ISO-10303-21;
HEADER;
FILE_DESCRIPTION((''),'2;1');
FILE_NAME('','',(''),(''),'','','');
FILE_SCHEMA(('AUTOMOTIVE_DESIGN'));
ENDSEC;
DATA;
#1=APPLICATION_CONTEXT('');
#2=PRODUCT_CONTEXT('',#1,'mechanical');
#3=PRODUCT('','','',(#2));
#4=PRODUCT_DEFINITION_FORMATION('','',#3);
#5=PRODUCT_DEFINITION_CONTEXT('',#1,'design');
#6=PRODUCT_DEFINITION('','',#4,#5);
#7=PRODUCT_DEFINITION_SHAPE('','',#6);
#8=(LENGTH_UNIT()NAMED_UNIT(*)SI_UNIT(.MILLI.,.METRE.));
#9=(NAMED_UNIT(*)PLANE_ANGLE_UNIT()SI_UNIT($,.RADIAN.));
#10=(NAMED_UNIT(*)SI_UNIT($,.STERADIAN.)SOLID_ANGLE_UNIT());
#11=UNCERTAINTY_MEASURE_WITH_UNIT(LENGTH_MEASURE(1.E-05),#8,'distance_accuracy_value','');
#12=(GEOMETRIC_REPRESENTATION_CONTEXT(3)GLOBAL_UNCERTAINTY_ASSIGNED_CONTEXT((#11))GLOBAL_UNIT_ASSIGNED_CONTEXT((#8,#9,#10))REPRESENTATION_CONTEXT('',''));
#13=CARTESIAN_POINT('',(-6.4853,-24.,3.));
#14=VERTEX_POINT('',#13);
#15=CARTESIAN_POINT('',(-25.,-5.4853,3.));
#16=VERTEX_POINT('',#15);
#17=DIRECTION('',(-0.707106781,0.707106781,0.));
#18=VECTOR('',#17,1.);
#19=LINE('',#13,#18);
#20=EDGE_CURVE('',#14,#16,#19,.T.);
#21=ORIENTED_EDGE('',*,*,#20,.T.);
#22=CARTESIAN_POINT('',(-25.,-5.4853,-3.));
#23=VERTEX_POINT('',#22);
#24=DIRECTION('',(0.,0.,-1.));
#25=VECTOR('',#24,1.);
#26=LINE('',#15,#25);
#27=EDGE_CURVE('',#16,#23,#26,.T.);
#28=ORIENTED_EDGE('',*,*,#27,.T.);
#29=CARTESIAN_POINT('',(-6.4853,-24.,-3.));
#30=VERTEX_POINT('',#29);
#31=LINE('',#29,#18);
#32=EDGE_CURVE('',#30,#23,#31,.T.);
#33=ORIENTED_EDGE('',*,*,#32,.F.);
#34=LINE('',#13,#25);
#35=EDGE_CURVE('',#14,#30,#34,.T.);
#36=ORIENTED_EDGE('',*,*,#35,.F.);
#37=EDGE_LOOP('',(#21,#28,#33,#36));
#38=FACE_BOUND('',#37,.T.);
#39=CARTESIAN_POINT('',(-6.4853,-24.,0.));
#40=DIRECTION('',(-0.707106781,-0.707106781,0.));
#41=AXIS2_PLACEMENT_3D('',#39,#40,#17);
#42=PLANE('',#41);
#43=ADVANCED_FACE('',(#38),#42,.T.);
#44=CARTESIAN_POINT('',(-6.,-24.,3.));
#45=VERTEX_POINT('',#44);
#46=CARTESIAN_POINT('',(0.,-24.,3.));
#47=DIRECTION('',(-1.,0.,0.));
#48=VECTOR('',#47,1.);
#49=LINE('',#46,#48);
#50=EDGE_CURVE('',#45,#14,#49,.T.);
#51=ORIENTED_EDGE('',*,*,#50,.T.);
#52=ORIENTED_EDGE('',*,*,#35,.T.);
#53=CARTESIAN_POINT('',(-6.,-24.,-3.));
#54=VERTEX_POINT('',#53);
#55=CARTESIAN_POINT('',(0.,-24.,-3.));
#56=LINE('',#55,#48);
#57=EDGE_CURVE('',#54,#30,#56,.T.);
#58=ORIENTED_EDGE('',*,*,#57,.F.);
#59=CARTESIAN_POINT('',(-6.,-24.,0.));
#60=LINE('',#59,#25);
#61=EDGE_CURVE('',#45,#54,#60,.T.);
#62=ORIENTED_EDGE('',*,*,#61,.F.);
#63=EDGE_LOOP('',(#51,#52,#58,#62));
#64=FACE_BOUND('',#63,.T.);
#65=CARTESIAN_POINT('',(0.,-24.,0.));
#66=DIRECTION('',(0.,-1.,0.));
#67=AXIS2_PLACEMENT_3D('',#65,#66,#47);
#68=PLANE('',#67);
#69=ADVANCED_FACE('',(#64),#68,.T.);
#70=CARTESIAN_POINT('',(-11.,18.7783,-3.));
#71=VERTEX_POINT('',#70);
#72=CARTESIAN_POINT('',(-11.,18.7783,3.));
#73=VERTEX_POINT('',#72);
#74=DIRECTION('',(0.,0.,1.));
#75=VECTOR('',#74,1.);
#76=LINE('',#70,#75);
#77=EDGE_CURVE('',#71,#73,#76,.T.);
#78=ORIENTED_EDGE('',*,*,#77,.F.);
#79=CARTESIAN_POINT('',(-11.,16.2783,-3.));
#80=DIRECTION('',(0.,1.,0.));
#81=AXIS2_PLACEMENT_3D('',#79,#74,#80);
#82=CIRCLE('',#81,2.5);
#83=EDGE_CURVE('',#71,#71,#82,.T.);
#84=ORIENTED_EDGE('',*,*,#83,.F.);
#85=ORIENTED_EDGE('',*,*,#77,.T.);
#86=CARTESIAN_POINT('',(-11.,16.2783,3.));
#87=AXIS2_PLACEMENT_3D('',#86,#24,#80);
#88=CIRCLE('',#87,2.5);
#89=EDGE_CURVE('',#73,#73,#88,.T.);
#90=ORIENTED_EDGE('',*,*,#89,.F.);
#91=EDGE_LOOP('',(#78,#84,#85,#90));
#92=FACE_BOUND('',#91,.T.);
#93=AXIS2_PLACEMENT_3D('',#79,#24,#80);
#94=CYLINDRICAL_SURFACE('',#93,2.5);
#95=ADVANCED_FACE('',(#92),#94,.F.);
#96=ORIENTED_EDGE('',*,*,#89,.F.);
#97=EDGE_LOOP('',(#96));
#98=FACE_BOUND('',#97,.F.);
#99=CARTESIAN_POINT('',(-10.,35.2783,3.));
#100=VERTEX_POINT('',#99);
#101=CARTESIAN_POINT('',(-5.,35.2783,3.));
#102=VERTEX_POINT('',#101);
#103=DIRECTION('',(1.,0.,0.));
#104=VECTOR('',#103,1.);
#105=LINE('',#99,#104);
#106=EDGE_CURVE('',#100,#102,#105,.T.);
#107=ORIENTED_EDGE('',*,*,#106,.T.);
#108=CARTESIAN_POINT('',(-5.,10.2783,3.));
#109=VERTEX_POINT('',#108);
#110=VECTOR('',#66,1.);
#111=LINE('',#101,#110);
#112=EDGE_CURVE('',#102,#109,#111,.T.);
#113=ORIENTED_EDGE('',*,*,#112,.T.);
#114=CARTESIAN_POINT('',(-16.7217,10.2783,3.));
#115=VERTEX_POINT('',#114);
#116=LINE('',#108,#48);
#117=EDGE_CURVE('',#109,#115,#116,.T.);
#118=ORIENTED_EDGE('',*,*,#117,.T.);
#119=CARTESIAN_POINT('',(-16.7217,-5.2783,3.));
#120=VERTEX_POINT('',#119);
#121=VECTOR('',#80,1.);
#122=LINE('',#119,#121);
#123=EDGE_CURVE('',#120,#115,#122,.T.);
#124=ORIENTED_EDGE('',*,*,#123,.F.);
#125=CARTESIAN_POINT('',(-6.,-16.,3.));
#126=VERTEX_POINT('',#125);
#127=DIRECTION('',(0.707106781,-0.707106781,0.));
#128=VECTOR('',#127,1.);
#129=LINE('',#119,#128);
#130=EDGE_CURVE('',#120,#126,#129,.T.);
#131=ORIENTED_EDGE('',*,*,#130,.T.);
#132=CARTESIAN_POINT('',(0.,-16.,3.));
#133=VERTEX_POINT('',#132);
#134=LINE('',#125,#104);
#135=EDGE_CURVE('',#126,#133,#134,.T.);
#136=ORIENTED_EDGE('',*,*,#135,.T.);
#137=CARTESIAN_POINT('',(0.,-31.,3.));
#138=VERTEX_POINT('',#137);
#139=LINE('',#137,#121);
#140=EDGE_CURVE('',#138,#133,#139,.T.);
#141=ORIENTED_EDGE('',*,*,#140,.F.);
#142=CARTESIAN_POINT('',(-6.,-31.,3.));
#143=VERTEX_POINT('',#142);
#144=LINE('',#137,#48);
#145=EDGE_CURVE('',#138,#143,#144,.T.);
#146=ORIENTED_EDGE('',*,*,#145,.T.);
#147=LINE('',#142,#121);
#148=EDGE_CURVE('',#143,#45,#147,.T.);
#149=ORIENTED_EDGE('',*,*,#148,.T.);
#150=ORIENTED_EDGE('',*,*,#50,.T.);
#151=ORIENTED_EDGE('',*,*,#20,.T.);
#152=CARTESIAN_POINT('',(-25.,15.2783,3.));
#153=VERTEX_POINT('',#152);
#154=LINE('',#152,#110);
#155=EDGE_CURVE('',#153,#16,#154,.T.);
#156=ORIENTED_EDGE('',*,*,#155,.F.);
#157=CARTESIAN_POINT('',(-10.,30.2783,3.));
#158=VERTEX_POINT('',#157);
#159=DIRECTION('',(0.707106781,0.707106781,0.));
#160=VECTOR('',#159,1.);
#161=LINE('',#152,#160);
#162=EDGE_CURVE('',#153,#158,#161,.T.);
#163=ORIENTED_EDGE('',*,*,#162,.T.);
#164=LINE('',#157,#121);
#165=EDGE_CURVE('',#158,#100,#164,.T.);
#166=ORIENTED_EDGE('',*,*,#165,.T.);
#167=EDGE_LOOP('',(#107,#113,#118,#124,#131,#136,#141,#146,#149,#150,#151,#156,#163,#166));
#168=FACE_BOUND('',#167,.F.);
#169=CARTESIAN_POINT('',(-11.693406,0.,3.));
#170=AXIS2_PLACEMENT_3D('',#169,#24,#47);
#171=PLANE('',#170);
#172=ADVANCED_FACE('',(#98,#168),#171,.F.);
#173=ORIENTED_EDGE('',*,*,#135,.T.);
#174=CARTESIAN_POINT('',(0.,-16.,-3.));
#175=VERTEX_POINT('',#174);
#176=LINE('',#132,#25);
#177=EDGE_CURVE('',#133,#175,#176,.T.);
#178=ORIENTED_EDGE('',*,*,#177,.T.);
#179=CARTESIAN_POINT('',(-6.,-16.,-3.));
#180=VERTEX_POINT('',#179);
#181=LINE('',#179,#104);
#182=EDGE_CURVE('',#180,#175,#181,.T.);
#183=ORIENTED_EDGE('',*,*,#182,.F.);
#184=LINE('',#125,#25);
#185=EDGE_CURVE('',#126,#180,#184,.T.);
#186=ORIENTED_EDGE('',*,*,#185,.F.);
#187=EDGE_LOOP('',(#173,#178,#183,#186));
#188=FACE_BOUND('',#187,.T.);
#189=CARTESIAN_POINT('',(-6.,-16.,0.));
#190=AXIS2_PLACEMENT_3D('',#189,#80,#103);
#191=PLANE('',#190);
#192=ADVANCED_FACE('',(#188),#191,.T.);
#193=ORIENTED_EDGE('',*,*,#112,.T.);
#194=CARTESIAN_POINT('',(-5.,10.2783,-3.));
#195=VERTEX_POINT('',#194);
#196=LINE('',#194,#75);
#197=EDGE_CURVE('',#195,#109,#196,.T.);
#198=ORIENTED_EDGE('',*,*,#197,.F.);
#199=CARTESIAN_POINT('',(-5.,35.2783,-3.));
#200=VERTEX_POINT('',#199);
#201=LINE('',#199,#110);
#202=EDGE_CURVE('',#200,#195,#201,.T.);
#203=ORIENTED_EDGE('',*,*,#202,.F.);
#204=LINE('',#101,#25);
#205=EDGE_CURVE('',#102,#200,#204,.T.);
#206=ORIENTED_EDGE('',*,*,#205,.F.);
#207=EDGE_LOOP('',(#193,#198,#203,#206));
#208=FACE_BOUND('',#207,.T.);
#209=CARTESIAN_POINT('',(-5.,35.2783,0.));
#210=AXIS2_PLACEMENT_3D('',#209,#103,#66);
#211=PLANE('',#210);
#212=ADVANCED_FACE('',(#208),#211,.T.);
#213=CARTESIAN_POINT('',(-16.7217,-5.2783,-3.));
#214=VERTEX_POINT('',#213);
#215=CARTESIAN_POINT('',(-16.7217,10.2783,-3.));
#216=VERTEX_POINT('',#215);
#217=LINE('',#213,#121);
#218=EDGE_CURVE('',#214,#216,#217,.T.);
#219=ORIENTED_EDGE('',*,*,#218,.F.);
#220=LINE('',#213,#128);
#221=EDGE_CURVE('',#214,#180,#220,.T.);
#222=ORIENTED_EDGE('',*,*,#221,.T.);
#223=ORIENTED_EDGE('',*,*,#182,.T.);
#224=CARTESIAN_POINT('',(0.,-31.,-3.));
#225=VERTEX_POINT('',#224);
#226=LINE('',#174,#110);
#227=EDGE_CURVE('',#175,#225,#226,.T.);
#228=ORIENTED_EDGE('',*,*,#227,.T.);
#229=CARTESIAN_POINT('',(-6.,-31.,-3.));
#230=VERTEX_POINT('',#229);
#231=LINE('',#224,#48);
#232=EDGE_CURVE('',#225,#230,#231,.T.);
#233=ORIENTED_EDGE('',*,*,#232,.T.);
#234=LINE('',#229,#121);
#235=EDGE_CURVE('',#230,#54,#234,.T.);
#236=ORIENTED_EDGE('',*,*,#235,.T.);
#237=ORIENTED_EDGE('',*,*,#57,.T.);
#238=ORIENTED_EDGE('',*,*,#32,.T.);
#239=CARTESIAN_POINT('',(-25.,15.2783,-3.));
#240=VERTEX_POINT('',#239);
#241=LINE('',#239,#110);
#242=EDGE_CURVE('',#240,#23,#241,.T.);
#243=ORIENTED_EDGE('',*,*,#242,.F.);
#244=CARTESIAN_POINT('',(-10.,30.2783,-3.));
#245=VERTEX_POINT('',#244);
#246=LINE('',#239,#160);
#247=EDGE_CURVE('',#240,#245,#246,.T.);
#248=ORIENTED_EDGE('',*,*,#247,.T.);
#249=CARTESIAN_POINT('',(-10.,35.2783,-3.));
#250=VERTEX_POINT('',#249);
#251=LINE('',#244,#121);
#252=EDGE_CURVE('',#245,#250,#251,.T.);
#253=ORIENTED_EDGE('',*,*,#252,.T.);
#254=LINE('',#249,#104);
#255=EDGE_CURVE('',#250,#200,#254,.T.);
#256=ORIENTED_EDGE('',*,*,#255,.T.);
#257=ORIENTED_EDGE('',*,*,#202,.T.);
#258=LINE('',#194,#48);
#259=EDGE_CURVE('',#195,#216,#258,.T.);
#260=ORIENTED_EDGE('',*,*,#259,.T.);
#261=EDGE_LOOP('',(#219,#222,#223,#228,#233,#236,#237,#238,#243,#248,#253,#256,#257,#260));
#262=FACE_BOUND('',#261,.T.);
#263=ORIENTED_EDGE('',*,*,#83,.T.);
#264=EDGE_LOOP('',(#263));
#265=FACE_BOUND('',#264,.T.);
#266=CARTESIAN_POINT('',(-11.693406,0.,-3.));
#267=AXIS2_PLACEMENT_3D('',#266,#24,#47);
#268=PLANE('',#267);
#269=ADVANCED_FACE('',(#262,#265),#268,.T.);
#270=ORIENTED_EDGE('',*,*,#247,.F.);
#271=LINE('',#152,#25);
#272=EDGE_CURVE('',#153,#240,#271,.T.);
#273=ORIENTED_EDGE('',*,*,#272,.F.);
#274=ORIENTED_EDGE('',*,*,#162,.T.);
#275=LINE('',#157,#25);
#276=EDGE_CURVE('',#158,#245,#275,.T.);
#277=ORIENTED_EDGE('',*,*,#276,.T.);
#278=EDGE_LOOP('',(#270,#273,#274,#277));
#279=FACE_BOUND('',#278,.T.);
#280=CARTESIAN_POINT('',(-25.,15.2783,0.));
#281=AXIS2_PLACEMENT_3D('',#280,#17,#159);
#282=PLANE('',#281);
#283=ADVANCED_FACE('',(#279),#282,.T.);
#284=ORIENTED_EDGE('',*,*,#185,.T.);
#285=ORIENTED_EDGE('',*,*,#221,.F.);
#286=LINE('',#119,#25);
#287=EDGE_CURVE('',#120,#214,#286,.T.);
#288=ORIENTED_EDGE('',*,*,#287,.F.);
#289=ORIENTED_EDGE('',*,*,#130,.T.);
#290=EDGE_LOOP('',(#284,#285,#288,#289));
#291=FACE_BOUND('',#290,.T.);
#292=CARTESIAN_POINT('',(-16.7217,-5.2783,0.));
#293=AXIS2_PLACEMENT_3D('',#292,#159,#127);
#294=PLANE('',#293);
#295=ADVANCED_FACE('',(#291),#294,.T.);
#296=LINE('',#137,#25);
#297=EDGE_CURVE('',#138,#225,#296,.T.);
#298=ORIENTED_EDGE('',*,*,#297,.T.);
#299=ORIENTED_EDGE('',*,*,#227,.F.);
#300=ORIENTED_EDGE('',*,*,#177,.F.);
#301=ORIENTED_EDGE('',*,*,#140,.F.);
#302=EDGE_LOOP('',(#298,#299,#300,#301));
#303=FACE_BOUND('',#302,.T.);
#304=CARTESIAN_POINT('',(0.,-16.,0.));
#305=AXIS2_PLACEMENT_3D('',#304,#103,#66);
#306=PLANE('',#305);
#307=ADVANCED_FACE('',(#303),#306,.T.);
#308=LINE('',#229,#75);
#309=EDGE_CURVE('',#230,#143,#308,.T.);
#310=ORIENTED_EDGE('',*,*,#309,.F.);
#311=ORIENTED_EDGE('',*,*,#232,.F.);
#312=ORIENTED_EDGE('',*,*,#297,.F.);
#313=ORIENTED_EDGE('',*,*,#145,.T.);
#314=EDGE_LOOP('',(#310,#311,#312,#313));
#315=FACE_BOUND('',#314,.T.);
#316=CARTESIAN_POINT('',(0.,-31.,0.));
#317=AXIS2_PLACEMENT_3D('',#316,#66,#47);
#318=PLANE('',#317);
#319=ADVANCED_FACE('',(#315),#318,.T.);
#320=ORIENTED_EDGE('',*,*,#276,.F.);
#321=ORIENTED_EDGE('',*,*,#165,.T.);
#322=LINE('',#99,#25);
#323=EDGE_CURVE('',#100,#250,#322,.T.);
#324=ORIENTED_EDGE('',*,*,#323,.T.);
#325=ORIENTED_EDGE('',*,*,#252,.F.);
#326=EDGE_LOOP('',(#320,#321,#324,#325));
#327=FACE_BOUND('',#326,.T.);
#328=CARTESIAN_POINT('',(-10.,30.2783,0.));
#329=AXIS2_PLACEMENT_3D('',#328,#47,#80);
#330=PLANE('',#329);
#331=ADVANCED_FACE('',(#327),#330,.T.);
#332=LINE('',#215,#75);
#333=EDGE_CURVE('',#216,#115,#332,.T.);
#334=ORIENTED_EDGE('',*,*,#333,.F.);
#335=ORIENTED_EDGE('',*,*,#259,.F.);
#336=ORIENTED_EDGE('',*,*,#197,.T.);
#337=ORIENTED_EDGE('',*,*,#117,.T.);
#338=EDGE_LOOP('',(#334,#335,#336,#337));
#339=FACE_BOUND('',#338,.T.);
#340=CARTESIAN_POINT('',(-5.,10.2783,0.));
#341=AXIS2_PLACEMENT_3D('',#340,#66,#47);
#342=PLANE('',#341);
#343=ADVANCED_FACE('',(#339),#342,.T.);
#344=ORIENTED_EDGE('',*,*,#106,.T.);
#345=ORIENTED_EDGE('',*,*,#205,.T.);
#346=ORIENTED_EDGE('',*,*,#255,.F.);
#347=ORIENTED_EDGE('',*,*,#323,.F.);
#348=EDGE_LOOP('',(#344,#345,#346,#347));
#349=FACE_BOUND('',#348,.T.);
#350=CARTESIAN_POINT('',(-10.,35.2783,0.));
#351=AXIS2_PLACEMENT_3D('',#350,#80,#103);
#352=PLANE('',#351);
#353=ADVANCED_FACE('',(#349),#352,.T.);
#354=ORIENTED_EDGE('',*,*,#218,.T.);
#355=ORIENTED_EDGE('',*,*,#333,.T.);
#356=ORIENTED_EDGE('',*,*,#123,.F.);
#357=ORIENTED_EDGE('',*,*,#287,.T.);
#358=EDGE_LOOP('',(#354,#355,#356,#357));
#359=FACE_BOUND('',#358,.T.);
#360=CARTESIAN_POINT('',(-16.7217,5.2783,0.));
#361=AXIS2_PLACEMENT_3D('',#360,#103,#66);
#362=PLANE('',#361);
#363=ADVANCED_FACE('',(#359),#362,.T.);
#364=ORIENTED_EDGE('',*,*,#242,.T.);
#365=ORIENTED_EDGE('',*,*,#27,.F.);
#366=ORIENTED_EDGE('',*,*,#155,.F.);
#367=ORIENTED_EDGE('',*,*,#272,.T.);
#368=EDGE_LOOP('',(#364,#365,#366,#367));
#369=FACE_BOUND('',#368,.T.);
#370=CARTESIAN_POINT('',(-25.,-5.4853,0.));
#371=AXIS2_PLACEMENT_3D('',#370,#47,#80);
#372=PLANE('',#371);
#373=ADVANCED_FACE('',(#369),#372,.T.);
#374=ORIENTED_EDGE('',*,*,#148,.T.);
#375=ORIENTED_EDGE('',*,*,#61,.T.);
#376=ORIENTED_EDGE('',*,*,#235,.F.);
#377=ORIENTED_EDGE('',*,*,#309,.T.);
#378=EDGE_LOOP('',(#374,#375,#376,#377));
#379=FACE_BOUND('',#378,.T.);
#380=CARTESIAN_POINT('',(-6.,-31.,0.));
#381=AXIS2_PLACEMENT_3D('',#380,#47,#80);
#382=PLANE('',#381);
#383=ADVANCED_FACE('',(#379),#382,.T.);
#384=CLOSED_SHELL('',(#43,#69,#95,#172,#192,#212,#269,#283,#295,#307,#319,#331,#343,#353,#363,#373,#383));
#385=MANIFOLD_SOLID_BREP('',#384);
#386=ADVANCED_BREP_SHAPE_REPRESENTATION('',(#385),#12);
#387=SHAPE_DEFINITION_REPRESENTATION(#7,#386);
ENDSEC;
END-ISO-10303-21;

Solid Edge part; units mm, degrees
sketch "Sketch1" plane through (0, 0, 0) normal (0, 0, 1) x (1, 0, 0)
  line L0 (0, 24) -> (0, 16)
  line L1 (0, 16) -> (-6, 16)
  line L2 (-6, 16) -> (-16.7217, 5.2783)
  line L3 (-16.7217, 5.2783) -> (-16.7217, -5.2783)
  line L4 (-16.7217, -5.2783) -> (-6, -16)
  line L5 (-6, -16) -> (0, -16)
  line L6 (0, -16) -> (0, -24)
  line L7 (0, -24) -> (-6.4853, -24)
  line L8 (-6.4853, -24) -> (-25, -5.4853)
  line L9 (-25, -5.4853) -> (-25, 5.4853)
  line L10 (-25, 5.4853) -> (-6.4853, 24)
  line L11 (-6.4853, 24) -> (0, 24)
  dimension "D1" = 6
  dimension "D2" = 6
  dimension "D3" = 8
  dimension "D4" = 25
  dimension "D5" = 32
extrude "Protrusion1" add sketch "Sketch1" along normal mid plane 6
sketch "Sketch2" plane through (0, 0, 0) normal (0, 0, 1) x (1, 0, 0)
  line L0 (-6, -16) -> (0, -16)
  line L1 (0, -16) -> (0, -31)
  line L2 (0, -31) -> (-6, -31)
  line L3 (-6, -31) -> (-6, -16)
  dimension "D1" = 15
extrude "ExtrudedProtrusion_2" add sketch "Sketch2" along normal mid plane 6
sketch "Sketch3" plane through (-12.2288, -3.5, -3) normal (0, 0, -1) x (0, 1, 0)
  line L0 (8.7783, -4.4929) -> (8.7783, -12.7712)
  line L1 (8.7783, -12.7712) -> (8.9853, -12.7712)
  line L2 (8.9853, -12.7712) -> (27.5, 5.7435)
  line L3 (27.5, 5.7435) -> (27.5, 12.2288)
  line L4 (27.5, 12.2288) -> (19.5, 12.2288)
  line L5 (19.5, 12.2288) -> (19.5, 6.2288)
  line L6 (19.5, 6.2288) -> (8.7783, -4.4929)
extrude "Cutout1" cut sketch "Sketch3" against normal through all
sketch "Sketch4" plane through (0, 0, 0) normal (0, 0, 1) x (1, 0, 0)
  line L0 (-16.7217, 5.2783) -> (-25, 5.2783)
  line L1 (-25, 5.2783) -> (-25, 15.2783)
  line L2 (-25, 15.2783) -> (-10, 30.2783)
  line L3 (-10, 30.2783) -> (-10, 35.2783)
  line L4 (-10, 35.2783) -> (-5, 35.2783)
  line L5 (-5, 35.2783) -> (-5, 10.2783)
  line L6 (-5, 10.2783) -> (-16.7217, 10.2783)
  line L7 (-16.7217, 10.2783) -> (-16.7217, 5.2783)
  dimension "D1" = 30
  dimension "D2" = 5
  dimension "D3" = 10
  dimension "D4" = 20
  dimension "D5" = 5
extrude "ExtrudedProtrusion_3" add sketch "Sketch4" along normal mid plane 6
hole "Hole_1" at (-11, 16.2783, -3) direction (0, 0, 1) diameter 5 end up to next
properties material "Polyethylene, low density"
